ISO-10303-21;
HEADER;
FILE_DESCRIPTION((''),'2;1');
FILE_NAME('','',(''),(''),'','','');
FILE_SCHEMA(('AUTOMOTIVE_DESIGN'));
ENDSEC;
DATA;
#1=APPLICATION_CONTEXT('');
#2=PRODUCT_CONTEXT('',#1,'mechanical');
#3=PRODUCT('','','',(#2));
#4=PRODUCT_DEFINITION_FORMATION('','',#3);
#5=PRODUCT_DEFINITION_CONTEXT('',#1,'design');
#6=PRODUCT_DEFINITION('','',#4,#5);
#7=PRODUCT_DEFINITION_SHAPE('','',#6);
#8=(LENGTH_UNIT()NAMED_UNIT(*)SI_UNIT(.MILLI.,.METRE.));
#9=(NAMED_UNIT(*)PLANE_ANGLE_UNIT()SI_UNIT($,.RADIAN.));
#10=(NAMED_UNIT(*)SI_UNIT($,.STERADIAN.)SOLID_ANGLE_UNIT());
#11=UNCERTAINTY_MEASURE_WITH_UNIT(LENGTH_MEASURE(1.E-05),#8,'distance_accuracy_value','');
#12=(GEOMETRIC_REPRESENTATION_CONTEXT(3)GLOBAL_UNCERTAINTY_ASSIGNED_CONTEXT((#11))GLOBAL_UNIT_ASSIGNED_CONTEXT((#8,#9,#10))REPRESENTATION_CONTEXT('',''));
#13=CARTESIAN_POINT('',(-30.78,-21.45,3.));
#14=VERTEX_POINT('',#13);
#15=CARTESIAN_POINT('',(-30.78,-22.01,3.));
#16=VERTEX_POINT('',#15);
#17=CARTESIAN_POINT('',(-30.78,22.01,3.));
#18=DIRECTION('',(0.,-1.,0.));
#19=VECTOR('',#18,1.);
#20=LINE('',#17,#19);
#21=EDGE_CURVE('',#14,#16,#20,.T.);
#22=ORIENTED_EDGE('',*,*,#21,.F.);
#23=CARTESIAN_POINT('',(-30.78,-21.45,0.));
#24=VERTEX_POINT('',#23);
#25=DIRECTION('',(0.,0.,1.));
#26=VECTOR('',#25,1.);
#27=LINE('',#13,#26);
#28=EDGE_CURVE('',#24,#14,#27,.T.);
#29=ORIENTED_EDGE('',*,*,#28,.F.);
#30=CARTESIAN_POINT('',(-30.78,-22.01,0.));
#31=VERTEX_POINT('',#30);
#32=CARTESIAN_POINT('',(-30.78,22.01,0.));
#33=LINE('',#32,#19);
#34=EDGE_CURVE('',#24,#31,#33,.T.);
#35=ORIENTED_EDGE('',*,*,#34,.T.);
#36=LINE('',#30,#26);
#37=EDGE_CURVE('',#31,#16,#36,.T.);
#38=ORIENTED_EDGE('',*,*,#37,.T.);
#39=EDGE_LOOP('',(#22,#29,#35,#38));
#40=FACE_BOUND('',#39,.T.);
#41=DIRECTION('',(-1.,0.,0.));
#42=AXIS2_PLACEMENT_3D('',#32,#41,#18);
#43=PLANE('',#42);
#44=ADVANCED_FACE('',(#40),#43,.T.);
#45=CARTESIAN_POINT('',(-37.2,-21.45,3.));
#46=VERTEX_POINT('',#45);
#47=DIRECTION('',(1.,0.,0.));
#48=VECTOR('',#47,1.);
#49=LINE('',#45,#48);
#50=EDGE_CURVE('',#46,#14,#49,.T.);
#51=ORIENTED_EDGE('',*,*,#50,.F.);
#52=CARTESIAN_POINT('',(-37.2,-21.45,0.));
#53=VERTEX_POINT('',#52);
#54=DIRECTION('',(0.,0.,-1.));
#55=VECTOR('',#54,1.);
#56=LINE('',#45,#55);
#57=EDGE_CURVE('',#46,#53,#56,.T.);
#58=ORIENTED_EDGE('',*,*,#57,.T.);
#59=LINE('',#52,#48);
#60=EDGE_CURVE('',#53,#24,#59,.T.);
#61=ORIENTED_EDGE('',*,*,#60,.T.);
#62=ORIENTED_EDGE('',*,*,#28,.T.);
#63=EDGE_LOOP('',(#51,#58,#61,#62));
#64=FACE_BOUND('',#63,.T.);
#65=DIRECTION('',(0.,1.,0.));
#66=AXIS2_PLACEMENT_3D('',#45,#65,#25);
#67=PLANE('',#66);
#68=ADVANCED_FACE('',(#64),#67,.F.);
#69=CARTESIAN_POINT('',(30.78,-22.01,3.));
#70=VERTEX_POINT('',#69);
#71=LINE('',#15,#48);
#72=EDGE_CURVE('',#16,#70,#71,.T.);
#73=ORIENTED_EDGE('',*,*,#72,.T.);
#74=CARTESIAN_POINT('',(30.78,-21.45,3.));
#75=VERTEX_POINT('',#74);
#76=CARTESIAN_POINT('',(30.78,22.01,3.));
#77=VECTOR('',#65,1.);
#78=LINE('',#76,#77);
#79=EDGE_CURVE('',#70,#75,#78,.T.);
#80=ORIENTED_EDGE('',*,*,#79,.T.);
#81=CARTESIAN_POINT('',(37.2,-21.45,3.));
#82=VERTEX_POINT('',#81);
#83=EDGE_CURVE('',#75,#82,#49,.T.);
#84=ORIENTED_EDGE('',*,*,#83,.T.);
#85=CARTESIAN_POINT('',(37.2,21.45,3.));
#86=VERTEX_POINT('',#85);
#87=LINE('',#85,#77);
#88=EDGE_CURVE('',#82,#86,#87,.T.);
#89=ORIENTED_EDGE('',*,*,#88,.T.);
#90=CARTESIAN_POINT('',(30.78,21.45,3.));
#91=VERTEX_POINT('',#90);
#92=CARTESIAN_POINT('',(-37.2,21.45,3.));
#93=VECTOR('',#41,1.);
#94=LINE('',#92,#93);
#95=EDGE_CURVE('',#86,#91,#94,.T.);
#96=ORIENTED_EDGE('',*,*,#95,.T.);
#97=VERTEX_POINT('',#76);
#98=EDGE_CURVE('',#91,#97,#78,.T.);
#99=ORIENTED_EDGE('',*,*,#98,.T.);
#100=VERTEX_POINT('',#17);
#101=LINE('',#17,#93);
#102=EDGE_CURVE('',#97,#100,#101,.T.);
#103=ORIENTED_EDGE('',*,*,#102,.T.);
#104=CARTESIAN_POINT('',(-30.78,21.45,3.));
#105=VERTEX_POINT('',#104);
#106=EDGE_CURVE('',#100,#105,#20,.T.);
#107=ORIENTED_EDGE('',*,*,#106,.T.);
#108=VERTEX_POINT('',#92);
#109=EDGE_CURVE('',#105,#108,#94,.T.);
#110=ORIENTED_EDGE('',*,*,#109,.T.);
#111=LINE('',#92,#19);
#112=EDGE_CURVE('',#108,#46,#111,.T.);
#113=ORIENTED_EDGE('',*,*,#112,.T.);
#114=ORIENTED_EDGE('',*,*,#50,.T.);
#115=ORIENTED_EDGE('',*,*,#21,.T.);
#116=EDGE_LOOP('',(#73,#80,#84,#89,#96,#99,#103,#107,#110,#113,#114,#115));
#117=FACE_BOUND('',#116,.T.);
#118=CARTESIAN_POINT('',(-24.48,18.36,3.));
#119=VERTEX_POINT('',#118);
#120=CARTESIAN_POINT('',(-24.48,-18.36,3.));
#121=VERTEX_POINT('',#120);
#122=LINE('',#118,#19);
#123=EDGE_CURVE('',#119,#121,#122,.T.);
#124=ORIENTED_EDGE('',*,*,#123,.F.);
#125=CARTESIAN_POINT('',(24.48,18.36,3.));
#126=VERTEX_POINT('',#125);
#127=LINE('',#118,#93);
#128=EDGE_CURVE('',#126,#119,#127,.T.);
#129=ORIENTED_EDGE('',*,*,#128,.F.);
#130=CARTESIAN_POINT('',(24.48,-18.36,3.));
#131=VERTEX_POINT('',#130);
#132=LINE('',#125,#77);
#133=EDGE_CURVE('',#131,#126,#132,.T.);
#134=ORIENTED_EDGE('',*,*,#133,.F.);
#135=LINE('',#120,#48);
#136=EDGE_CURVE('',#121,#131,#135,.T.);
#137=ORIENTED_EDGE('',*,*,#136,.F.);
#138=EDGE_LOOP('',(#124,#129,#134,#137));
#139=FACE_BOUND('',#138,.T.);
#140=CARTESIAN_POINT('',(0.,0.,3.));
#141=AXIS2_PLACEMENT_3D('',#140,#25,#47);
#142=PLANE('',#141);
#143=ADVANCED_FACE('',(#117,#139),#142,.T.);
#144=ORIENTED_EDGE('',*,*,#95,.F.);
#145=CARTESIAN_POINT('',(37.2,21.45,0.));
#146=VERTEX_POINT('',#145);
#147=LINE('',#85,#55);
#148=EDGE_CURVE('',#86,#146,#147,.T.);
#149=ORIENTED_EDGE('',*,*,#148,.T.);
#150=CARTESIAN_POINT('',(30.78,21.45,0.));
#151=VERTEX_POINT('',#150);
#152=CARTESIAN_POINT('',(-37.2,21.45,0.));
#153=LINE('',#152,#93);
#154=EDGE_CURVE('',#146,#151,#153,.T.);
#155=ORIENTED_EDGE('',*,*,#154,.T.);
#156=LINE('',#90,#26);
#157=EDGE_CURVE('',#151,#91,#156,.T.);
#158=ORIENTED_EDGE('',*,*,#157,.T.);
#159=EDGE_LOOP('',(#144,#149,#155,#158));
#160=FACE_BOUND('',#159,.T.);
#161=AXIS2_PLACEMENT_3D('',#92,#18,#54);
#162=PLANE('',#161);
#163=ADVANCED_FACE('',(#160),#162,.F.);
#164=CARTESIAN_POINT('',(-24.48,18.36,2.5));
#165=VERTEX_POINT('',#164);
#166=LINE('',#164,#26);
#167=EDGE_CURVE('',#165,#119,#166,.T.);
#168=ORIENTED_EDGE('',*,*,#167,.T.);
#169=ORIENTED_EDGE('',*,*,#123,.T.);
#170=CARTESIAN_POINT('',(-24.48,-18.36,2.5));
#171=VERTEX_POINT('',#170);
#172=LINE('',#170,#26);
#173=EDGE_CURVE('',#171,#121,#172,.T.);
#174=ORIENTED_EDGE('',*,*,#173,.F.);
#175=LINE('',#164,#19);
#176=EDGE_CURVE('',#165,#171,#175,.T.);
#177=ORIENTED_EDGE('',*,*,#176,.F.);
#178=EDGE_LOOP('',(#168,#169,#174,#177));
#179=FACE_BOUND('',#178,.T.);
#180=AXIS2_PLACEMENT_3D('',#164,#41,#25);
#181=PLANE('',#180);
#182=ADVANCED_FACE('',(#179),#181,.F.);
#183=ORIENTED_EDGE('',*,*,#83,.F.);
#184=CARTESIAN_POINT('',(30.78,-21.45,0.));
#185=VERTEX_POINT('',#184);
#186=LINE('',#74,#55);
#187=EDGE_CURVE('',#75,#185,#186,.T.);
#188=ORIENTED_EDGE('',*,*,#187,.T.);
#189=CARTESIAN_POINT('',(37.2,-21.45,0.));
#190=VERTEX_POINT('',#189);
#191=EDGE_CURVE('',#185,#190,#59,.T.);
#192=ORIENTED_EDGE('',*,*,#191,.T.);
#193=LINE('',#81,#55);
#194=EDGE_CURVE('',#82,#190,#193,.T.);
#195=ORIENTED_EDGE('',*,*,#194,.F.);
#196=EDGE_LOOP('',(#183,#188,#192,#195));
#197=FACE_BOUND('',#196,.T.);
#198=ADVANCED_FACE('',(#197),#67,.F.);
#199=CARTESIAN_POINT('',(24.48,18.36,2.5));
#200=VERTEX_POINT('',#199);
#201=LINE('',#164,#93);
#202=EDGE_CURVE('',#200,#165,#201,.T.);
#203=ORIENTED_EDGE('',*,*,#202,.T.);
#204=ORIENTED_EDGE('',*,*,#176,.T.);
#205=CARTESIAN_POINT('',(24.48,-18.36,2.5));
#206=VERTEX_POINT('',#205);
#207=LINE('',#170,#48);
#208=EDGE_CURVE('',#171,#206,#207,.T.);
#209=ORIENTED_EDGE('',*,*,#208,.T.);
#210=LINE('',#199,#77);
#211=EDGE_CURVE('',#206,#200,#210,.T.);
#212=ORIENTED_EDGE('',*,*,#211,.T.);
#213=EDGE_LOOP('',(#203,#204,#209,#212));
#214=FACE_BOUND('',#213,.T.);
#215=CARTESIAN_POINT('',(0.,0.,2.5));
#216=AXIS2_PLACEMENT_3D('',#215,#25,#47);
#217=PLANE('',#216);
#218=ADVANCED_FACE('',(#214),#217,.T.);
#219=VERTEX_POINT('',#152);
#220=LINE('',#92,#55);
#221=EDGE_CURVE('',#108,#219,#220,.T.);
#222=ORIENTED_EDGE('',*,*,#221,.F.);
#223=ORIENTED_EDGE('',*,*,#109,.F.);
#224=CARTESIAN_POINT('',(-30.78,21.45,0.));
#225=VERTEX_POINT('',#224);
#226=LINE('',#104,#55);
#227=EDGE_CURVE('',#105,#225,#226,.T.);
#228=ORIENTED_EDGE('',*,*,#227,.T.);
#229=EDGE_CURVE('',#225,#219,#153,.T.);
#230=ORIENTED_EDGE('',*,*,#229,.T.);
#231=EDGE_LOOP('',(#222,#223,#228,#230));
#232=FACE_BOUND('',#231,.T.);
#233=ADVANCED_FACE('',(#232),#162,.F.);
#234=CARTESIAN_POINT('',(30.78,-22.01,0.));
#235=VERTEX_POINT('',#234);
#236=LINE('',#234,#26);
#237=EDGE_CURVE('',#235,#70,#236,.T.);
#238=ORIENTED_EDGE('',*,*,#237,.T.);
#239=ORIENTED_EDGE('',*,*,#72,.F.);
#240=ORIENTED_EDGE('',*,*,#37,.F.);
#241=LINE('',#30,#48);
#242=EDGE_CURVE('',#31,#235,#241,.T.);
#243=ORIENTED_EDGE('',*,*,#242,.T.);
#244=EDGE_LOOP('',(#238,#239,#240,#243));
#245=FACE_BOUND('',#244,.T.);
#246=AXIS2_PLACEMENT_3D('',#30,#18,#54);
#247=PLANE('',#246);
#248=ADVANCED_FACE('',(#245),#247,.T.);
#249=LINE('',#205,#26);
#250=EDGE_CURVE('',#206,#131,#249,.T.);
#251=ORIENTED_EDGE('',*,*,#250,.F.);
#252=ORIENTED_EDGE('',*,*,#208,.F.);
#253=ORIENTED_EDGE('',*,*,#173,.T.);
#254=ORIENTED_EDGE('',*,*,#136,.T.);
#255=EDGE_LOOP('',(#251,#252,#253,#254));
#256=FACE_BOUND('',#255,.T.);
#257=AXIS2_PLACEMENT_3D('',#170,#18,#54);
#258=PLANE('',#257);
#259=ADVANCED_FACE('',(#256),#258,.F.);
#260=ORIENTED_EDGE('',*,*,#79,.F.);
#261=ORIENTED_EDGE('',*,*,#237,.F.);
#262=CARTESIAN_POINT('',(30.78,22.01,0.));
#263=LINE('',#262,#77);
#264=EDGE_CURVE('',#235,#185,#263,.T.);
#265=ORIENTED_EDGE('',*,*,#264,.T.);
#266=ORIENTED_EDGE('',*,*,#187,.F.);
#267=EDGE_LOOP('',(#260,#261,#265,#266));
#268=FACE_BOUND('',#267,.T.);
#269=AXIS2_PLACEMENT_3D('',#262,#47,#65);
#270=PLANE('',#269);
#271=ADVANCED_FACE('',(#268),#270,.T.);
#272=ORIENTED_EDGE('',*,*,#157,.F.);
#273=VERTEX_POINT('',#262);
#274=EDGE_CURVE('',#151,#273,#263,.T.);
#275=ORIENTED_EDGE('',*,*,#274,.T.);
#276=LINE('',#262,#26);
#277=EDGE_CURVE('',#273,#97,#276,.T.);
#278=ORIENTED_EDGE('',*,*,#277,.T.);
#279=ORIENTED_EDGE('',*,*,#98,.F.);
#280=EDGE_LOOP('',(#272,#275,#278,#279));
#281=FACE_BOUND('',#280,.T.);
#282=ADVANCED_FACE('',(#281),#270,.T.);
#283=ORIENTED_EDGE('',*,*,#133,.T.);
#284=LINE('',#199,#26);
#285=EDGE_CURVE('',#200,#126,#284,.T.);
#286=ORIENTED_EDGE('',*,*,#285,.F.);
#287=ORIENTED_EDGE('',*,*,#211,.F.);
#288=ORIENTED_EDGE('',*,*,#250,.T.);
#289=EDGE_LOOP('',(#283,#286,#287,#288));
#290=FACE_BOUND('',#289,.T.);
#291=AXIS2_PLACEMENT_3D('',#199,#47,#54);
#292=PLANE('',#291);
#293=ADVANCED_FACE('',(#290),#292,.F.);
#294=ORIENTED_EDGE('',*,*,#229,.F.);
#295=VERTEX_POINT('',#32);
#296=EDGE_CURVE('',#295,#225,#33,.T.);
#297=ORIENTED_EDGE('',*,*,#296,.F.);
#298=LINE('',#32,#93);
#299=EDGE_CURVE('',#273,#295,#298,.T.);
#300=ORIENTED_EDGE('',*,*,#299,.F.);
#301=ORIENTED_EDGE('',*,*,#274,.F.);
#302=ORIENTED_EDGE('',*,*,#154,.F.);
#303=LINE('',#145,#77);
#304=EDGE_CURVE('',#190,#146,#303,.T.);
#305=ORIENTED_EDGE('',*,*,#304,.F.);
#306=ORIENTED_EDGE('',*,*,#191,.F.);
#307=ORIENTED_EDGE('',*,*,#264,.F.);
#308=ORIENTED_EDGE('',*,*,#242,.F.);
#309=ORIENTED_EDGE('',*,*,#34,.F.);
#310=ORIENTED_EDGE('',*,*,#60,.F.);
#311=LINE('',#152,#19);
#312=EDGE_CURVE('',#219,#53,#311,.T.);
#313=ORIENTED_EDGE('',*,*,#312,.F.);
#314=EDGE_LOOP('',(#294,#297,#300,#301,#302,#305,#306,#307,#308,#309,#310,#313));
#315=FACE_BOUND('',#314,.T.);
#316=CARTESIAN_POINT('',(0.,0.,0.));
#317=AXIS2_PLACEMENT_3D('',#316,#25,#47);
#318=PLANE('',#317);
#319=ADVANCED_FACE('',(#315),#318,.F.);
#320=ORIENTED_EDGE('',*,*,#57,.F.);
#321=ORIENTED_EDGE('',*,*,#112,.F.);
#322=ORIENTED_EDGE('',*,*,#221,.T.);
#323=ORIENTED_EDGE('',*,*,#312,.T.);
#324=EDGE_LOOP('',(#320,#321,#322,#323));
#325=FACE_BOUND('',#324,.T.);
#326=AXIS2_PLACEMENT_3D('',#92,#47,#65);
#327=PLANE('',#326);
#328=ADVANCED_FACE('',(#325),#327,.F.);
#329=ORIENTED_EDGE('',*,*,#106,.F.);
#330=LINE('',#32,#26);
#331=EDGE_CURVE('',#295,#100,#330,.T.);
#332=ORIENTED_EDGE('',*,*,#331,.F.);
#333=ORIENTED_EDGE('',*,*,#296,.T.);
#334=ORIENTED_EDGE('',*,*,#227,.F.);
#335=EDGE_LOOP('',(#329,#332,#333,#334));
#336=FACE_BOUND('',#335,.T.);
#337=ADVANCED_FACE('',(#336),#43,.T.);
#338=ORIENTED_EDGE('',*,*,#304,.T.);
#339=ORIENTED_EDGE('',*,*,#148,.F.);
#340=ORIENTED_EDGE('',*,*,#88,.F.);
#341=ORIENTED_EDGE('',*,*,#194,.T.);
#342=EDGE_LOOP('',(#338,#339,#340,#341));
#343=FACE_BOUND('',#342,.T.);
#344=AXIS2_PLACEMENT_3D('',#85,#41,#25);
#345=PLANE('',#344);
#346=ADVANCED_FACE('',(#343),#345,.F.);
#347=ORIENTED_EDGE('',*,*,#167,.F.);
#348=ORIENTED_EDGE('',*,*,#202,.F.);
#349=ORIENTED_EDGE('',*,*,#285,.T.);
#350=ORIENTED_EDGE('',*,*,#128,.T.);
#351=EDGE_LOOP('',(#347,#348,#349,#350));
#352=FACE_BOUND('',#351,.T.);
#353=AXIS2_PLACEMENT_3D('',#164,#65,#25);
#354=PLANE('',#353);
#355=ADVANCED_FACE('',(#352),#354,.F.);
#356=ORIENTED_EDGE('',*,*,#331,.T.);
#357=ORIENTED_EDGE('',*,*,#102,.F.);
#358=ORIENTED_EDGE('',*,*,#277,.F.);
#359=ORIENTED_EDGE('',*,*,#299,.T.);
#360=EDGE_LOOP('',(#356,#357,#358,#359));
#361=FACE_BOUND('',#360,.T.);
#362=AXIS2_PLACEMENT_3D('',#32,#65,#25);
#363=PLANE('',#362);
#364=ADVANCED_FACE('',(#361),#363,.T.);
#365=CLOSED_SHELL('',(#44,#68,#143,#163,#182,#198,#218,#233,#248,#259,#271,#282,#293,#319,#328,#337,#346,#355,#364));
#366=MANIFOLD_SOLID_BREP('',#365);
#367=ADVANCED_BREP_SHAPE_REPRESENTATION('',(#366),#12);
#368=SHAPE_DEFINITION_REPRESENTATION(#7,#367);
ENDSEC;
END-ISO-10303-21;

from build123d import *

# Parameters (mm, degrees)
SKETCH_1_W          = 74.4
SKETCH_1_H          = 42.9
EXTRUDE_1_DEPTH     = 3
SKETCH_2_W          = 61.56
SKETCH_2_H          = 44.02
EXTRUDE_2_DEPTH     = 3
SKETCH_3_W          = 48.96
SKETCH_3_H          = 36.72
CUT_EXTRUDE_2_DEPTH = 0.5


with BuildPart() as part:
    # 草图1 → 凸台-拉伸1 (new body)
    with BuildSketch(Plane.XY):
        Rectangle(SKETCH_1_W, SKETCH_1_H)
    extrude(amount=EXTRUDE_1_DEPTH)

    # 草图2 → 凸台-拉伸2 (add)
    with BuildSketch(Plane.XY.offset(3)):
        Rectangle(SKETCH_2_W, SKETCH_2_H)
    extrude(amount=-EXTRUDE_2_DEPTH)

    # 草图3 → 切除-拉伸2 (cut)
    with BuildSketch(Plane.XY.offset(3)):
        Rectangle(SKETCH_3_W, SKETCH_3_H)
    extrude(amount=-CUT_EXTRUDE_2_DEPTH, mode=Mode.SUBTRACT)


solid = part.part
